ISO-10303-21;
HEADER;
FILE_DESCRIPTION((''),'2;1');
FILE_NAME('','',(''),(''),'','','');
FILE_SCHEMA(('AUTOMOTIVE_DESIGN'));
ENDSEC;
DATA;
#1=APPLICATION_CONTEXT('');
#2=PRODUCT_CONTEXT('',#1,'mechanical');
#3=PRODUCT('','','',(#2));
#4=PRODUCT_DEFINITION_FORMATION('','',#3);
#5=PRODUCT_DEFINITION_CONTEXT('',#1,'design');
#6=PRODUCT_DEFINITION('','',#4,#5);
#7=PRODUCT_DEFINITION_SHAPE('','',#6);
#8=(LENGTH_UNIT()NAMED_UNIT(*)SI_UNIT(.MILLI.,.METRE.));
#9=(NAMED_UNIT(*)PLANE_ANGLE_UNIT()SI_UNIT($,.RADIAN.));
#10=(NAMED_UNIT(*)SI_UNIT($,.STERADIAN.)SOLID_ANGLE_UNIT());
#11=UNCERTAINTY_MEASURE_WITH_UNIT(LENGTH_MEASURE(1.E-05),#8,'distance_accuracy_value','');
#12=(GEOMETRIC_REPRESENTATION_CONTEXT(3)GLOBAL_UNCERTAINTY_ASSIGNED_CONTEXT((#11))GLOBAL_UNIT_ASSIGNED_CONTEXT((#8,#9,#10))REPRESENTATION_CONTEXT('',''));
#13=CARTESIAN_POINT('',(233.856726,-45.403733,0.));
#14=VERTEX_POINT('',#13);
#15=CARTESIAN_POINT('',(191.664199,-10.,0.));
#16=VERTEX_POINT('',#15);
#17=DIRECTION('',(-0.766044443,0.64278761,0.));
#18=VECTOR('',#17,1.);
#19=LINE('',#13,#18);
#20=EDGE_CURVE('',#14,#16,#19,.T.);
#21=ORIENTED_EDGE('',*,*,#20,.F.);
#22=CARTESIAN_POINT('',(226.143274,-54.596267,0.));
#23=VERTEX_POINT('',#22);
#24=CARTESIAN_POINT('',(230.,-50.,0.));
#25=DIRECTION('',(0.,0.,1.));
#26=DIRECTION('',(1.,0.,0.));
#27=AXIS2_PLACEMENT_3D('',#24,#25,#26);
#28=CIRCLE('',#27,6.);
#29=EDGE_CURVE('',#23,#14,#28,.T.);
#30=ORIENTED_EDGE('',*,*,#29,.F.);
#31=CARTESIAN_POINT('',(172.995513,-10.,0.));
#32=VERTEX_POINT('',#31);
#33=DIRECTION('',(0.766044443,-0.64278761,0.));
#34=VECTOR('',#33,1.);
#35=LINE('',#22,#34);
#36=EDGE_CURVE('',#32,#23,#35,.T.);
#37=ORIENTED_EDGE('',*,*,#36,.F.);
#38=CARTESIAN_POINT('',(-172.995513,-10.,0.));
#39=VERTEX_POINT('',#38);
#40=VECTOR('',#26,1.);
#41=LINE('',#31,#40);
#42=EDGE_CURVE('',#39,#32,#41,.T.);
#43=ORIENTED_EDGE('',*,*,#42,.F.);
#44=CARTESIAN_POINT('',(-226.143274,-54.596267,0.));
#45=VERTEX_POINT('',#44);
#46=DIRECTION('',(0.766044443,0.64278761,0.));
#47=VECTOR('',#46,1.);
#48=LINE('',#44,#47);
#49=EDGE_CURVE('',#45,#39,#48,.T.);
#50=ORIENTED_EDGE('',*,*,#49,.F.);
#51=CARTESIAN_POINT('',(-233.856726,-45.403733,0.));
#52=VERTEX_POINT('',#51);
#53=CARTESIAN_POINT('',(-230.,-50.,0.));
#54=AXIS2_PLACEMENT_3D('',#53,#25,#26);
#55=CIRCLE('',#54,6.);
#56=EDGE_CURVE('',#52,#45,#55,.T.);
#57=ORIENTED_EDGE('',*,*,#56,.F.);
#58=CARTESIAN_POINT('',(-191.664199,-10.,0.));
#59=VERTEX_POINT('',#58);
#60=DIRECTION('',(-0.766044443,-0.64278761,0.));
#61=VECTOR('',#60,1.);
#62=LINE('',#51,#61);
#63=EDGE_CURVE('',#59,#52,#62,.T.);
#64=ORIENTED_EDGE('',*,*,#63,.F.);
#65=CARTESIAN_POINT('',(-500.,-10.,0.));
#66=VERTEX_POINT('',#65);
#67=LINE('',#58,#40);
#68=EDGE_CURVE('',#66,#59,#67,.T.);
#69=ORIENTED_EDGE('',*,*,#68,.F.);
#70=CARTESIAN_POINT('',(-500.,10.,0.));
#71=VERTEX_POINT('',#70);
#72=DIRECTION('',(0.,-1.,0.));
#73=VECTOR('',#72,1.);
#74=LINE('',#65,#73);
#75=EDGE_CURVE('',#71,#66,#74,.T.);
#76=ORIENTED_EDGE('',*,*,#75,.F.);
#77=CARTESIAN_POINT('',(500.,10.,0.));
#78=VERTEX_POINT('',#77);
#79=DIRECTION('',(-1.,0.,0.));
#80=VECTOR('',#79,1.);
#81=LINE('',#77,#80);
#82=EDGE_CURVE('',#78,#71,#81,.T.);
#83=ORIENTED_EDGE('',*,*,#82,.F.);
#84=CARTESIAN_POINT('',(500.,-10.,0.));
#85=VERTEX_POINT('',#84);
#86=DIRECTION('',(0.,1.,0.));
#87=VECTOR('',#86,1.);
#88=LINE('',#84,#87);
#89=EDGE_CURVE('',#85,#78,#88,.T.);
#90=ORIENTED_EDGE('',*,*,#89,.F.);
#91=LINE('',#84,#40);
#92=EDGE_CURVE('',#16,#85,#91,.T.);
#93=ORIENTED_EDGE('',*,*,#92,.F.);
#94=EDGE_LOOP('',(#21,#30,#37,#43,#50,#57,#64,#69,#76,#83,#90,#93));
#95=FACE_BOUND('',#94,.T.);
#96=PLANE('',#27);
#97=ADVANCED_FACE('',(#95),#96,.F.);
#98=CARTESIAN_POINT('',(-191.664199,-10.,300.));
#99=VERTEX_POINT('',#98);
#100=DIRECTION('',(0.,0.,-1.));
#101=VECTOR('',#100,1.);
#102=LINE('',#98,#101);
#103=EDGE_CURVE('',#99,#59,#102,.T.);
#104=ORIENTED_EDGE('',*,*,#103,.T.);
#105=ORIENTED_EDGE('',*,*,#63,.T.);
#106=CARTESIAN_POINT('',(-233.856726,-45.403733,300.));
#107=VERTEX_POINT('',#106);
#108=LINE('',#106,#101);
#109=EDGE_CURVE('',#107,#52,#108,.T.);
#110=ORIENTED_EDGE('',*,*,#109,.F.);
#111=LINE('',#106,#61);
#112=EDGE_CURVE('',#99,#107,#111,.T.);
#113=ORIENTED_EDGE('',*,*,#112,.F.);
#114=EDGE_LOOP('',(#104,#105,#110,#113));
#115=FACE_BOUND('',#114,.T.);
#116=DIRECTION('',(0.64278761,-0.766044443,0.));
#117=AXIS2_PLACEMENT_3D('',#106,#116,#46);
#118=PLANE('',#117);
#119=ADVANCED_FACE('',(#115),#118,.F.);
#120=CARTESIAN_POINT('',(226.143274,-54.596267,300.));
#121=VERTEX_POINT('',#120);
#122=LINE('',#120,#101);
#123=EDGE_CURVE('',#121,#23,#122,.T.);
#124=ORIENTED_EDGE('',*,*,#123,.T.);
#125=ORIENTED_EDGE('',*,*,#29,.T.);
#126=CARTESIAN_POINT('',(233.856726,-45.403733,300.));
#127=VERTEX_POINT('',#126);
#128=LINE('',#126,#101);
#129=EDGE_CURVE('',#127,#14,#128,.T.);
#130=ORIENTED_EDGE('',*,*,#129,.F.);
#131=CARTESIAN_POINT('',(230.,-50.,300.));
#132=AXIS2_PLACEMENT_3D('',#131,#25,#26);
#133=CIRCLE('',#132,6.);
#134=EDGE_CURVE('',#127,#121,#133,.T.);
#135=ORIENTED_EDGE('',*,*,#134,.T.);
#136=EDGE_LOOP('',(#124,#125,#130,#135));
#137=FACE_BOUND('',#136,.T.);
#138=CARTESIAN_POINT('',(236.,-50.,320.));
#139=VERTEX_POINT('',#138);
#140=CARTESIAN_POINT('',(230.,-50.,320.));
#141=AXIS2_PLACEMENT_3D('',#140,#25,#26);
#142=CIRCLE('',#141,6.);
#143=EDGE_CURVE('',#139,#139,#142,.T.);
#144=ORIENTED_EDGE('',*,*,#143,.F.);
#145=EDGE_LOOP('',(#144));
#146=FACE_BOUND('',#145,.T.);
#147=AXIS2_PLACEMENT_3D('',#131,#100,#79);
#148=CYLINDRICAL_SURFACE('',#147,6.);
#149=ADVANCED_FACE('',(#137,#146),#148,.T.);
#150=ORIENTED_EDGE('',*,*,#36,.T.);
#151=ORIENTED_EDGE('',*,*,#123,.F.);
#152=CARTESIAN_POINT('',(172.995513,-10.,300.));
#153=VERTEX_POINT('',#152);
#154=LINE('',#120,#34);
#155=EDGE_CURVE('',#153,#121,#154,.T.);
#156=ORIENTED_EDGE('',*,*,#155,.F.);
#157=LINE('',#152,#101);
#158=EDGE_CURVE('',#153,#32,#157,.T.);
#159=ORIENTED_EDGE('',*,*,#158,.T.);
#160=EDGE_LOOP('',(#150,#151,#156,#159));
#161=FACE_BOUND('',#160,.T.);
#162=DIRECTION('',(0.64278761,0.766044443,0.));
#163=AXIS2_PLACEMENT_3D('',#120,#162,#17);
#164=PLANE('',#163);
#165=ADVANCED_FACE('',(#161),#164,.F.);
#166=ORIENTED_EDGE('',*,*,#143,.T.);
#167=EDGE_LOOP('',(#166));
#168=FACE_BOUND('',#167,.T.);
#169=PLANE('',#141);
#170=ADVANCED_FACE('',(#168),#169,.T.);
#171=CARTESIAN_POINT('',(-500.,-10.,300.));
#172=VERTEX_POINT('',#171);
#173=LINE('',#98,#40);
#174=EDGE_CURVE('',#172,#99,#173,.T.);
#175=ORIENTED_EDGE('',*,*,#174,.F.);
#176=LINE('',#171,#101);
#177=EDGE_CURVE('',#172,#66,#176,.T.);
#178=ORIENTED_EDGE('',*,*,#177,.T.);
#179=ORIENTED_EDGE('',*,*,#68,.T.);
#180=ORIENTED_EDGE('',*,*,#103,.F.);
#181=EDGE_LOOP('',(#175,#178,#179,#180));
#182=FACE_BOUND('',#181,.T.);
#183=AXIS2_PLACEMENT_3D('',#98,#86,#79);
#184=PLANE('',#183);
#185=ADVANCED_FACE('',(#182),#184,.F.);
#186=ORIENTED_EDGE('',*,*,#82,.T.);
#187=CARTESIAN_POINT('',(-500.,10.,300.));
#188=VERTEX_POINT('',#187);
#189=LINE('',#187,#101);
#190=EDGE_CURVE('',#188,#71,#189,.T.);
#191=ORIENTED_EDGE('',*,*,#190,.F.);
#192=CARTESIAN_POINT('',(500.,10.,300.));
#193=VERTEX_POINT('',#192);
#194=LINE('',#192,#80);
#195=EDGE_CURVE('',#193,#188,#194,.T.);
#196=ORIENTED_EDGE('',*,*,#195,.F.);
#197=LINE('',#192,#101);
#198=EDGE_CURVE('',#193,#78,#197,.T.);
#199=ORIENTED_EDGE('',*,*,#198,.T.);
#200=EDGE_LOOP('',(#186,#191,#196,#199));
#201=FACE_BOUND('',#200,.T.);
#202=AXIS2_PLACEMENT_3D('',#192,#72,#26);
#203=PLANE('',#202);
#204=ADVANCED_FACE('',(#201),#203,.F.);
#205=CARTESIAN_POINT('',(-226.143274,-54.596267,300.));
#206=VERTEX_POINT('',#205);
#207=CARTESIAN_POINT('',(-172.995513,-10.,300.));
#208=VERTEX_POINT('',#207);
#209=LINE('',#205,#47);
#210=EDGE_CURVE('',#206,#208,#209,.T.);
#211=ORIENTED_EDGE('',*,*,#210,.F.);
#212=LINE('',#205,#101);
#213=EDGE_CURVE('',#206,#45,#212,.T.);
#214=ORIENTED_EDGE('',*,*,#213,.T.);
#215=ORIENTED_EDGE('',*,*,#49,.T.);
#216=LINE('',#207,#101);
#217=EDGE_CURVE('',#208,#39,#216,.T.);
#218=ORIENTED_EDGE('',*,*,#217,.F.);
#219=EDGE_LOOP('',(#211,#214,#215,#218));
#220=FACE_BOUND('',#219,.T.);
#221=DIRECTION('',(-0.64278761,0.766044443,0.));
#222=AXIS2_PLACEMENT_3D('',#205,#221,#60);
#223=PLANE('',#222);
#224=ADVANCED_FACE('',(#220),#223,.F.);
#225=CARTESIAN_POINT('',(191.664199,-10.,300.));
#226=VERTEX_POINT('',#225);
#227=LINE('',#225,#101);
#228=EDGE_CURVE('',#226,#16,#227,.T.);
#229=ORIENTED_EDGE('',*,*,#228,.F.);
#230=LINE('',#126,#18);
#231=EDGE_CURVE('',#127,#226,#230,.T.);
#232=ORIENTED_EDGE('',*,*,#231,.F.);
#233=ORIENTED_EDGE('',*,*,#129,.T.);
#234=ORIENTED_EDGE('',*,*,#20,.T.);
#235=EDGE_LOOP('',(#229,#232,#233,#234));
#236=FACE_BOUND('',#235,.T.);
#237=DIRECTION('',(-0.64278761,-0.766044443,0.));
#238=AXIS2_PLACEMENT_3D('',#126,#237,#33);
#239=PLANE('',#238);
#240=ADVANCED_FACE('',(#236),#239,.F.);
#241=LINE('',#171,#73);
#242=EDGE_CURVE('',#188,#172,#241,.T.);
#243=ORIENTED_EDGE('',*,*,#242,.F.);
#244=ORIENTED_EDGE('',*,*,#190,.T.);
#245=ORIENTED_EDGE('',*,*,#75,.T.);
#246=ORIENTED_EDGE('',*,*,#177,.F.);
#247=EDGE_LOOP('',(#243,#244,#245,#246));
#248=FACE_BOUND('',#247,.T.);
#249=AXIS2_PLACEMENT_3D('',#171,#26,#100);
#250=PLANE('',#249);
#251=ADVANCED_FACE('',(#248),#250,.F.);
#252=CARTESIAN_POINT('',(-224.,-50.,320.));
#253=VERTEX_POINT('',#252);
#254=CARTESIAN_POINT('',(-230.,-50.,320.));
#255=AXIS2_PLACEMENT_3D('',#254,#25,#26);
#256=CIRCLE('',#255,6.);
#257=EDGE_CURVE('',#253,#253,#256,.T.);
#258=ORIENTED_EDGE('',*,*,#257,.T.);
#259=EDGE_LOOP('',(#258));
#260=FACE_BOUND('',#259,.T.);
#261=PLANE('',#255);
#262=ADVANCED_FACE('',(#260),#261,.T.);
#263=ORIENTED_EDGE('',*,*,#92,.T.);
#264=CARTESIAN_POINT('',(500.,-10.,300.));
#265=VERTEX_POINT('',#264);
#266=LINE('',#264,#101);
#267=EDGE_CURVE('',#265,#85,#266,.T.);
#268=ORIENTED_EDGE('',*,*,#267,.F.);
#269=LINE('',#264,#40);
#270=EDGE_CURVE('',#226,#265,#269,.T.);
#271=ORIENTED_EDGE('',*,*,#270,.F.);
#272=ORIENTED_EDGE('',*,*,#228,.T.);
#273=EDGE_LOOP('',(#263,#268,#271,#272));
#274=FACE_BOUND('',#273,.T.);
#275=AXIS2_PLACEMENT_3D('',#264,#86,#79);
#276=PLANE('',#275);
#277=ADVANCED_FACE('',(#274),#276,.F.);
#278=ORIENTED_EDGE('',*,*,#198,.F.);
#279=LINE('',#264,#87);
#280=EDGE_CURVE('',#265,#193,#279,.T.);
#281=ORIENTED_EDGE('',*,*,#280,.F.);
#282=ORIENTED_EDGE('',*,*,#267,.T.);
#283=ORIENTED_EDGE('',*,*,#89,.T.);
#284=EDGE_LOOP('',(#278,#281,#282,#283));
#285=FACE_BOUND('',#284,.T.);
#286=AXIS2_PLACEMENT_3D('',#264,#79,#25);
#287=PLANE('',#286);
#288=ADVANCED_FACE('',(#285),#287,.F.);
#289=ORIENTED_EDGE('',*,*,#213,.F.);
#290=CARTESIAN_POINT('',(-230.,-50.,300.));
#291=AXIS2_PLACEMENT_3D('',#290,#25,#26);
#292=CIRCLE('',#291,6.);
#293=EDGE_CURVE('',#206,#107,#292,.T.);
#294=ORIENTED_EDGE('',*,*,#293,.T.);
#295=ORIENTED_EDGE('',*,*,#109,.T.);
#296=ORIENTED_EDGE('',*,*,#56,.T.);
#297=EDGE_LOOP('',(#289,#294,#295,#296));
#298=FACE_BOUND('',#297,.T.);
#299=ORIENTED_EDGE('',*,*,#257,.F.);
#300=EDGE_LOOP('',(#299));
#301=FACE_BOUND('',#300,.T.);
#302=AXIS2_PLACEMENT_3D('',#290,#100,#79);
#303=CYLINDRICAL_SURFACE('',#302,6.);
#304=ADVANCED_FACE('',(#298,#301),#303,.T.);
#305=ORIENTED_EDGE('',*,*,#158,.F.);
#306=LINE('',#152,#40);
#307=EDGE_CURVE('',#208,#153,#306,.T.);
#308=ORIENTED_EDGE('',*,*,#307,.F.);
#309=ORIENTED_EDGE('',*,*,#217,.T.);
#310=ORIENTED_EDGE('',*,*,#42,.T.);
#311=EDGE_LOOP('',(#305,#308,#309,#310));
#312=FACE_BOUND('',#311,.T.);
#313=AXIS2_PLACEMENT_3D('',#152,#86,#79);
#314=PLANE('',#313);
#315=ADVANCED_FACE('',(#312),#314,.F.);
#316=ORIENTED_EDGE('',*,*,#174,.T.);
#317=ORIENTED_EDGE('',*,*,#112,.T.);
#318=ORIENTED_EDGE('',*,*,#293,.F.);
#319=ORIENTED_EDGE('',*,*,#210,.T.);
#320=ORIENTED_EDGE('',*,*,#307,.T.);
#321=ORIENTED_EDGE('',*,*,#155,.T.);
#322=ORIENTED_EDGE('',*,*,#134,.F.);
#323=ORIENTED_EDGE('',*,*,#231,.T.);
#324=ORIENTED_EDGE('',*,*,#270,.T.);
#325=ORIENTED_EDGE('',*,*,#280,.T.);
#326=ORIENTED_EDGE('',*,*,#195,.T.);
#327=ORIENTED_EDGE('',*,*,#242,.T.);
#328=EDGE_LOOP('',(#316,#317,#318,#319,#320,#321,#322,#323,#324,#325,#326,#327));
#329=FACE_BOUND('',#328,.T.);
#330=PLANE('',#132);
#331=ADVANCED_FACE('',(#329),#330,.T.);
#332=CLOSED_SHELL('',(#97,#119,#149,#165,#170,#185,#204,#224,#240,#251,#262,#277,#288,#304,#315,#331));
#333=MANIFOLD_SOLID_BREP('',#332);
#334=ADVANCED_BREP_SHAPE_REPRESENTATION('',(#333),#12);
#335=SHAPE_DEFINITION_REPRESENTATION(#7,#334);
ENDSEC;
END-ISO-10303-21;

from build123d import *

# Parameters (mm, degrees)
BOSS_EXTRUDE1_DEPTH = 300
SKETCH2_R           = 6
BOSS_EXTRUDE2_DEPTH = 20


with BuildPart() as part:
    # Sketch1 → Boss-Extrude1 (new body)
    with BuildSketch(Plane.XY):
        with BuildLine():
            Line((-233.856725658, -45.403733341), (-191.664199257, -10))
            Line((-191.664199257, -10), (-500, -10))
            Line((-500, -10), (-500, 10))
            Line((-500, 10), (500, 10))
            Line((500, 10), (500, -10))
            Line((500, -10), (191.664199257, -10))
            Line((191.664199257, -10), (233.856725658, -45.403733341))
            ThreePointArc((233.856725658, -45.403733341), (234.596266659, -53.856725658), (226.143274342, -54.596266659))
            Line((226.143274342, -54.596266659), (172.995513335, -10))
            Line((172.995513335, -10), (-172.995513335, -10))
            Line((-172.995513335, -10), (-226.143274342, -54.596266659))
            ThreePointArc((-226.143274342, -54.596266659), (-234.596266659, -53.856725658), (-233.856725658, -45.403733341))
        make_face()
    extrude(amount=BOSS_EXTRUDE1_DEPTH)

    # Sketch2 → Boss-Extrude2 (add)
    with BuildSketch(Plane.XY.offset(300)):
        with Locations((-230, -50)):
            Circle(SKETCH2_R)
        with Locations((230, -50)):
            Circle(SKETCH2_R)
    extrude(amount=BOSS_EXTRUDE2_DEPTH)


solid = part.part
